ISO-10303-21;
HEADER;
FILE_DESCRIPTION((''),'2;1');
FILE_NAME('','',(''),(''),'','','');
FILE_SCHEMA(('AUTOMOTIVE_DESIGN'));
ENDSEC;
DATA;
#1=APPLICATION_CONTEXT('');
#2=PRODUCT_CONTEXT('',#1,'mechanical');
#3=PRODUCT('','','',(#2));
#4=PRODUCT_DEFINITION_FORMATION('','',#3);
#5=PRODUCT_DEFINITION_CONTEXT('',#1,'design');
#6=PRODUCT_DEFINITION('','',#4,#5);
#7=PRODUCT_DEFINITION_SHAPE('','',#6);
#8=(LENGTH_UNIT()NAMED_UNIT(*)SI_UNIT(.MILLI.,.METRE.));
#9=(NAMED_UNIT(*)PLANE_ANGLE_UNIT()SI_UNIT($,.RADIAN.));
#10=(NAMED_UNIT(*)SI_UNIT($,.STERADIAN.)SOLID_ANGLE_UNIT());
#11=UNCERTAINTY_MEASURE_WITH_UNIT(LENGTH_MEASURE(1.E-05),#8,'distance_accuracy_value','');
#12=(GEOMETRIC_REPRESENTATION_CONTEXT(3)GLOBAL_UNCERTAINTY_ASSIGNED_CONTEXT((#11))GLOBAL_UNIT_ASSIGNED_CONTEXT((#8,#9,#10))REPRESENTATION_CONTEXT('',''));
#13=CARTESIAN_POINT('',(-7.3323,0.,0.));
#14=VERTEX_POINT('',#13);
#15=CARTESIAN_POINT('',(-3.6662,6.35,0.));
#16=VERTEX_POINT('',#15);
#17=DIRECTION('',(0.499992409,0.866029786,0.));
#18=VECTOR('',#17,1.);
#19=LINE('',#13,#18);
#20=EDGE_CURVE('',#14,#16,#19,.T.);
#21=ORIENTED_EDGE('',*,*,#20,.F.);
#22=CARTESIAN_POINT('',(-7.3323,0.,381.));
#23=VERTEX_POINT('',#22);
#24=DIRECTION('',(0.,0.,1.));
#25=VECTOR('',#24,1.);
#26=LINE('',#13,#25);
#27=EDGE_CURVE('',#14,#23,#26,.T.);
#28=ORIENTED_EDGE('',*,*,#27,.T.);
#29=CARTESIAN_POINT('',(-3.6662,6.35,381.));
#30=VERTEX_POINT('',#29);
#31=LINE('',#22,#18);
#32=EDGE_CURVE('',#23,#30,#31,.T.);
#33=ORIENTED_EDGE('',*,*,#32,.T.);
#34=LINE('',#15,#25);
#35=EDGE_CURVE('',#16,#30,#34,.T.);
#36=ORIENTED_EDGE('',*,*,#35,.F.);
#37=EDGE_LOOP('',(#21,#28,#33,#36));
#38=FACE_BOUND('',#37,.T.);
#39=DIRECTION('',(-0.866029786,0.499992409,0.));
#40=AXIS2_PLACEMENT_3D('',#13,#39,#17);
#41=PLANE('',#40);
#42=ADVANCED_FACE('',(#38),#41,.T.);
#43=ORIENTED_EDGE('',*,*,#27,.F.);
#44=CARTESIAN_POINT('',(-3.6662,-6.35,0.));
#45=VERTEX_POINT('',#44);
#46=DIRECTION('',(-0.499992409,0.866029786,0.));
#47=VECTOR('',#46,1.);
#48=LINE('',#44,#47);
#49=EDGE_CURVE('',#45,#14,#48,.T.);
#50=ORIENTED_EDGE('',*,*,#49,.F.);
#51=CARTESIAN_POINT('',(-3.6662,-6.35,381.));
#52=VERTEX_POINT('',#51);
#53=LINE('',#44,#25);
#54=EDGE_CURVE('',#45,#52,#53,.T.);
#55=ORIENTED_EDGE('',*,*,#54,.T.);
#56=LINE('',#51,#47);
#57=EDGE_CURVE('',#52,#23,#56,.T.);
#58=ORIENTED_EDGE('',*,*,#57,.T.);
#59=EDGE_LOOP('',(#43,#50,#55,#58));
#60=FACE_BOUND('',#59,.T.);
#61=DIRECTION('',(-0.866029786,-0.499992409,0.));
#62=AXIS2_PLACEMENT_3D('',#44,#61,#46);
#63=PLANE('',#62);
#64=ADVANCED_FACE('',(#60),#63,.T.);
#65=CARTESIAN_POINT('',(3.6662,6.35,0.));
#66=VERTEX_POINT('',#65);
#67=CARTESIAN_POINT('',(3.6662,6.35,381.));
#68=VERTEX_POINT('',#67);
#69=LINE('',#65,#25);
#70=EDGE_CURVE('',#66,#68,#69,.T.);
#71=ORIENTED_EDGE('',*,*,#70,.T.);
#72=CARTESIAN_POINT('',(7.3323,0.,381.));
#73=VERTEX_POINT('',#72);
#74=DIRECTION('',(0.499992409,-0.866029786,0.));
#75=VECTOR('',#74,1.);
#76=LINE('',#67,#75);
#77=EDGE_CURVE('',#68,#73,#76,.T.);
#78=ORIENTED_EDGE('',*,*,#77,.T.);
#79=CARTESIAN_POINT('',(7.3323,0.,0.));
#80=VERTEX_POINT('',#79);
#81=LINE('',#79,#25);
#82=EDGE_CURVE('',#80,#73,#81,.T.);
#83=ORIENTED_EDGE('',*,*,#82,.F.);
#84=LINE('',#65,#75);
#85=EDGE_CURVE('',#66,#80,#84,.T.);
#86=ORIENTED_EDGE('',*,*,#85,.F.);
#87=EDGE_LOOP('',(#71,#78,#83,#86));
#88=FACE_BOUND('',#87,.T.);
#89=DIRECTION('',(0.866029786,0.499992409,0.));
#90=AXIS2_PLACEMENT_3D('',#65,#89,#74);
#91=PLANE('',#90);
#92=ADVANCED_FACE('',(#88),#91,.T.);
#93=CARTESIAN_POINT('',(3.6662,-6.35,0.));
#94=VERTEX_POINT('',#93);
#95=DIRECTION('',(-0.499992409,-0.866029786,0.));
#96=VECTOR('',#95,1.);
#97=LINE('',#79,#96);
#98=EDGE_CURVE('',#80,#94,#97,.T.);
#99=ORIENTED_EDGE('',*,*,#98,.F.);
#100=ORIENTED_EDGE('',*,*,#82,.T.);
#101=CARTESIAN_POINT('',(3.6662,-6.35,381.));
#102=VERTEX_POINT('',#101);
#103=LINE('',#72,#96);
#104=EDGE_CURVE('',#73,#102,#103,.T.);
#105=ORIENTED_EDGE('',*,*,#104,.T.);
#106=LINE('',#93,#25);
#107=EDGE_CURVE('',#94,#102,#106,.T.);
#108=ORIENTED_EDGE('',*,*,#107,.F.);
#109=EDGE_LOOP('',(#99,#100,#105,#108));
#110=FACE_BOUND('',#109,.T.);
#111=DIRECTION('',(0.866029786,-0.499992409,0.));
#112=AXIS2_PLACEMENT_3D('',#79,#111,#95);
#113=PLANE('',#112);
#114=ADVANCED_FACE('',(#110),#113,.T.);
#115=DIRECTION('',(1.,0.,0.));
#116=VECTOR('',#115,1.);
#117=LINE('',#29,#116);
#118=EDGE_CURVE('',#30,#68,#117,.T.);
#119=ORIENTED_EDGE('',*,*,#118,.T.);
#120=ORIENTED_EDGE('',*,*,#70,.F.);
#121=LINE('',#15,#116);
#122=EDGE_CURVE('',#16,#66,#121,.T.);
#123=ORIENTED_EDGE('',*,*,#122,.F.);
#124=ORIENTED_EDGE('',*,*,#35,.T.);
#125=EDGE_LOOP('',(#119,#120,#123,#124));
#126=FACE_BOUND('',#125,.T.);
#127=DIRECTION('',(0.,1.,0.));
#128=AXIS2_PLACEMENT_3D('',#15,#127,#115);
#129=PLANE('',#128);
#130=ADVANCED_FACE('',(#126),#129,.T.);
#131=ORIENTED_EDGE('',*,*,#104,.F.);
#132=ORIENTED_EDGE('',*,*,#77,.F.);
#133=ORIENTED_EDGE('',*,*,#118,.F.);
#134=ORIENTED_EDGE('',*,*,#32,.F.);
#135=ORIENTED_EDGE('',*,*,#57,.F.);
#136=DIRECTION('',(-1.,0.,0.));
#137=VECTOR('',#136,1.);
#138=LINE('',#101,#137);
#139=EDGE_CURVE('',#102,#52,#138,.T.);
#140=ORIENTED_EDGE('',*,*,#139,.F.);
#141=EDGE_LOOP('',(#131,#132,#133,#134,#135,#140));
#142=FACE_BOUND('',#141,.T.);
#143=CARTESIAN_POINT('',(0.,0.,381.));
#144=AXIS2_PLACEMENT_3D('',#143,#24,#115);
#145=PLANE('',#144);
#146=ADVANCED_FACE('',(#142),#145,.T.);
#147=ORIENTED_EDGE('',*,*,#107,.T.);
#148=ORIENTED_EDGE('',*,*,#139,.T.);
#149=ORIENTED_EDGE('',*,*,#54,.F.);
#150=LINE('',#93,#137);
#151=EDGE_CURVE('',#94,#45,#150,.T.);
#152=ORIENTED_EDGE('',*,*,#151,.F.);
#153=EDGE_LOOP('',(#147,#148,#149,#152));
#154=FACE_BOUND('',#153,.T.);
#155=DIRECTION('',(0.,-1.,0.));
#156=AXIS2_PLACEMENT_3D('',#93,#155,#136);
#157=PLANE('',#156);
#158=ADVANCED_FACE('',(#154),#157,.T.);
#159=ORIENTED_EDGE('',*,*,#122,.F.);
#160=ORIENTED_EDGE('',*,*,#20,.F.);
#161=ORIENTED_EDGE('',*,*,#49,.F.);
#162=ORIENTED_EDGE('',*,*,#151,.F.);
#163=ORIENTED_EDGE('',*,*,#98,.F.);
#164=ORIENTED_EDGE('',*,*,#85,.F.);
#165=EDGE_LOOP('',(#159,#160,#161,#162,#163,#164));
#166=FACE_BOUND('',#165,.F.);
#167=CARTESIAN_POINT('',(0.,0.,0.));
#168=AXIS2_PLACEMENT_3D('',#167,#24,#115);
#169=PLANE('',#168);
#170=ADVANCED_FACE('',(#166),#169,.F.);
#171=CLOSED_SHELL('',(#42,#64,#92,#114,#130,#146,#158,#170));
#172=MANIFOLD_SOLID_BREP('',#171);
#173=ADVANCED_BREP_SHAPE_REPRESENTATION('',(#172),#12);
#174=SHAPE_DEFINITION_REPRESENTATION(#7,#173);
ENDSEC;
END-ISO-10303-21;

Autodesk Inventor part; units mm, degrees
ref_plane "YZ Plane" through (0, 0, 0) normal (1, 0, 0) x (0, 1, 0)
ref_plane "XZ Plane" through (0, 0, 0) normal (0, 1, 0) x (-1, 0, 0)
ref_plane "XY Plane" through (0, 0, 0) normal (0, 0, 1) x (1, 0, 0)
sketch "Sketch1" plane through (0, 0, 0) normal (0, 0, 1) x (1, 0, 0)
  line L0 (3.6662, 6.35) -> (7.3323, 0)
  line L1 (7.3323, 0) -> (3.6662, -6.35)
  line L2 (3.6662, -6.35) -> (-3.6662, -6.35)
  line L3 (-3.6662, -6.35) -> (-7.3323, 0)
  line L4 (-7.3323, 0) -> (-3.6662, 6.35)
  line L5 (-3.6662, 6.35) -> (3.6662, 6.35)
  point P0 (0, 0)
  point P1 (0, 0)
  dimension "d0" = 12.7
extrude "Extrusion1" add sketch "Sketch1" along normal blind 381
properties part number "hex rod 15 inch" material "Steel, Alloy"
